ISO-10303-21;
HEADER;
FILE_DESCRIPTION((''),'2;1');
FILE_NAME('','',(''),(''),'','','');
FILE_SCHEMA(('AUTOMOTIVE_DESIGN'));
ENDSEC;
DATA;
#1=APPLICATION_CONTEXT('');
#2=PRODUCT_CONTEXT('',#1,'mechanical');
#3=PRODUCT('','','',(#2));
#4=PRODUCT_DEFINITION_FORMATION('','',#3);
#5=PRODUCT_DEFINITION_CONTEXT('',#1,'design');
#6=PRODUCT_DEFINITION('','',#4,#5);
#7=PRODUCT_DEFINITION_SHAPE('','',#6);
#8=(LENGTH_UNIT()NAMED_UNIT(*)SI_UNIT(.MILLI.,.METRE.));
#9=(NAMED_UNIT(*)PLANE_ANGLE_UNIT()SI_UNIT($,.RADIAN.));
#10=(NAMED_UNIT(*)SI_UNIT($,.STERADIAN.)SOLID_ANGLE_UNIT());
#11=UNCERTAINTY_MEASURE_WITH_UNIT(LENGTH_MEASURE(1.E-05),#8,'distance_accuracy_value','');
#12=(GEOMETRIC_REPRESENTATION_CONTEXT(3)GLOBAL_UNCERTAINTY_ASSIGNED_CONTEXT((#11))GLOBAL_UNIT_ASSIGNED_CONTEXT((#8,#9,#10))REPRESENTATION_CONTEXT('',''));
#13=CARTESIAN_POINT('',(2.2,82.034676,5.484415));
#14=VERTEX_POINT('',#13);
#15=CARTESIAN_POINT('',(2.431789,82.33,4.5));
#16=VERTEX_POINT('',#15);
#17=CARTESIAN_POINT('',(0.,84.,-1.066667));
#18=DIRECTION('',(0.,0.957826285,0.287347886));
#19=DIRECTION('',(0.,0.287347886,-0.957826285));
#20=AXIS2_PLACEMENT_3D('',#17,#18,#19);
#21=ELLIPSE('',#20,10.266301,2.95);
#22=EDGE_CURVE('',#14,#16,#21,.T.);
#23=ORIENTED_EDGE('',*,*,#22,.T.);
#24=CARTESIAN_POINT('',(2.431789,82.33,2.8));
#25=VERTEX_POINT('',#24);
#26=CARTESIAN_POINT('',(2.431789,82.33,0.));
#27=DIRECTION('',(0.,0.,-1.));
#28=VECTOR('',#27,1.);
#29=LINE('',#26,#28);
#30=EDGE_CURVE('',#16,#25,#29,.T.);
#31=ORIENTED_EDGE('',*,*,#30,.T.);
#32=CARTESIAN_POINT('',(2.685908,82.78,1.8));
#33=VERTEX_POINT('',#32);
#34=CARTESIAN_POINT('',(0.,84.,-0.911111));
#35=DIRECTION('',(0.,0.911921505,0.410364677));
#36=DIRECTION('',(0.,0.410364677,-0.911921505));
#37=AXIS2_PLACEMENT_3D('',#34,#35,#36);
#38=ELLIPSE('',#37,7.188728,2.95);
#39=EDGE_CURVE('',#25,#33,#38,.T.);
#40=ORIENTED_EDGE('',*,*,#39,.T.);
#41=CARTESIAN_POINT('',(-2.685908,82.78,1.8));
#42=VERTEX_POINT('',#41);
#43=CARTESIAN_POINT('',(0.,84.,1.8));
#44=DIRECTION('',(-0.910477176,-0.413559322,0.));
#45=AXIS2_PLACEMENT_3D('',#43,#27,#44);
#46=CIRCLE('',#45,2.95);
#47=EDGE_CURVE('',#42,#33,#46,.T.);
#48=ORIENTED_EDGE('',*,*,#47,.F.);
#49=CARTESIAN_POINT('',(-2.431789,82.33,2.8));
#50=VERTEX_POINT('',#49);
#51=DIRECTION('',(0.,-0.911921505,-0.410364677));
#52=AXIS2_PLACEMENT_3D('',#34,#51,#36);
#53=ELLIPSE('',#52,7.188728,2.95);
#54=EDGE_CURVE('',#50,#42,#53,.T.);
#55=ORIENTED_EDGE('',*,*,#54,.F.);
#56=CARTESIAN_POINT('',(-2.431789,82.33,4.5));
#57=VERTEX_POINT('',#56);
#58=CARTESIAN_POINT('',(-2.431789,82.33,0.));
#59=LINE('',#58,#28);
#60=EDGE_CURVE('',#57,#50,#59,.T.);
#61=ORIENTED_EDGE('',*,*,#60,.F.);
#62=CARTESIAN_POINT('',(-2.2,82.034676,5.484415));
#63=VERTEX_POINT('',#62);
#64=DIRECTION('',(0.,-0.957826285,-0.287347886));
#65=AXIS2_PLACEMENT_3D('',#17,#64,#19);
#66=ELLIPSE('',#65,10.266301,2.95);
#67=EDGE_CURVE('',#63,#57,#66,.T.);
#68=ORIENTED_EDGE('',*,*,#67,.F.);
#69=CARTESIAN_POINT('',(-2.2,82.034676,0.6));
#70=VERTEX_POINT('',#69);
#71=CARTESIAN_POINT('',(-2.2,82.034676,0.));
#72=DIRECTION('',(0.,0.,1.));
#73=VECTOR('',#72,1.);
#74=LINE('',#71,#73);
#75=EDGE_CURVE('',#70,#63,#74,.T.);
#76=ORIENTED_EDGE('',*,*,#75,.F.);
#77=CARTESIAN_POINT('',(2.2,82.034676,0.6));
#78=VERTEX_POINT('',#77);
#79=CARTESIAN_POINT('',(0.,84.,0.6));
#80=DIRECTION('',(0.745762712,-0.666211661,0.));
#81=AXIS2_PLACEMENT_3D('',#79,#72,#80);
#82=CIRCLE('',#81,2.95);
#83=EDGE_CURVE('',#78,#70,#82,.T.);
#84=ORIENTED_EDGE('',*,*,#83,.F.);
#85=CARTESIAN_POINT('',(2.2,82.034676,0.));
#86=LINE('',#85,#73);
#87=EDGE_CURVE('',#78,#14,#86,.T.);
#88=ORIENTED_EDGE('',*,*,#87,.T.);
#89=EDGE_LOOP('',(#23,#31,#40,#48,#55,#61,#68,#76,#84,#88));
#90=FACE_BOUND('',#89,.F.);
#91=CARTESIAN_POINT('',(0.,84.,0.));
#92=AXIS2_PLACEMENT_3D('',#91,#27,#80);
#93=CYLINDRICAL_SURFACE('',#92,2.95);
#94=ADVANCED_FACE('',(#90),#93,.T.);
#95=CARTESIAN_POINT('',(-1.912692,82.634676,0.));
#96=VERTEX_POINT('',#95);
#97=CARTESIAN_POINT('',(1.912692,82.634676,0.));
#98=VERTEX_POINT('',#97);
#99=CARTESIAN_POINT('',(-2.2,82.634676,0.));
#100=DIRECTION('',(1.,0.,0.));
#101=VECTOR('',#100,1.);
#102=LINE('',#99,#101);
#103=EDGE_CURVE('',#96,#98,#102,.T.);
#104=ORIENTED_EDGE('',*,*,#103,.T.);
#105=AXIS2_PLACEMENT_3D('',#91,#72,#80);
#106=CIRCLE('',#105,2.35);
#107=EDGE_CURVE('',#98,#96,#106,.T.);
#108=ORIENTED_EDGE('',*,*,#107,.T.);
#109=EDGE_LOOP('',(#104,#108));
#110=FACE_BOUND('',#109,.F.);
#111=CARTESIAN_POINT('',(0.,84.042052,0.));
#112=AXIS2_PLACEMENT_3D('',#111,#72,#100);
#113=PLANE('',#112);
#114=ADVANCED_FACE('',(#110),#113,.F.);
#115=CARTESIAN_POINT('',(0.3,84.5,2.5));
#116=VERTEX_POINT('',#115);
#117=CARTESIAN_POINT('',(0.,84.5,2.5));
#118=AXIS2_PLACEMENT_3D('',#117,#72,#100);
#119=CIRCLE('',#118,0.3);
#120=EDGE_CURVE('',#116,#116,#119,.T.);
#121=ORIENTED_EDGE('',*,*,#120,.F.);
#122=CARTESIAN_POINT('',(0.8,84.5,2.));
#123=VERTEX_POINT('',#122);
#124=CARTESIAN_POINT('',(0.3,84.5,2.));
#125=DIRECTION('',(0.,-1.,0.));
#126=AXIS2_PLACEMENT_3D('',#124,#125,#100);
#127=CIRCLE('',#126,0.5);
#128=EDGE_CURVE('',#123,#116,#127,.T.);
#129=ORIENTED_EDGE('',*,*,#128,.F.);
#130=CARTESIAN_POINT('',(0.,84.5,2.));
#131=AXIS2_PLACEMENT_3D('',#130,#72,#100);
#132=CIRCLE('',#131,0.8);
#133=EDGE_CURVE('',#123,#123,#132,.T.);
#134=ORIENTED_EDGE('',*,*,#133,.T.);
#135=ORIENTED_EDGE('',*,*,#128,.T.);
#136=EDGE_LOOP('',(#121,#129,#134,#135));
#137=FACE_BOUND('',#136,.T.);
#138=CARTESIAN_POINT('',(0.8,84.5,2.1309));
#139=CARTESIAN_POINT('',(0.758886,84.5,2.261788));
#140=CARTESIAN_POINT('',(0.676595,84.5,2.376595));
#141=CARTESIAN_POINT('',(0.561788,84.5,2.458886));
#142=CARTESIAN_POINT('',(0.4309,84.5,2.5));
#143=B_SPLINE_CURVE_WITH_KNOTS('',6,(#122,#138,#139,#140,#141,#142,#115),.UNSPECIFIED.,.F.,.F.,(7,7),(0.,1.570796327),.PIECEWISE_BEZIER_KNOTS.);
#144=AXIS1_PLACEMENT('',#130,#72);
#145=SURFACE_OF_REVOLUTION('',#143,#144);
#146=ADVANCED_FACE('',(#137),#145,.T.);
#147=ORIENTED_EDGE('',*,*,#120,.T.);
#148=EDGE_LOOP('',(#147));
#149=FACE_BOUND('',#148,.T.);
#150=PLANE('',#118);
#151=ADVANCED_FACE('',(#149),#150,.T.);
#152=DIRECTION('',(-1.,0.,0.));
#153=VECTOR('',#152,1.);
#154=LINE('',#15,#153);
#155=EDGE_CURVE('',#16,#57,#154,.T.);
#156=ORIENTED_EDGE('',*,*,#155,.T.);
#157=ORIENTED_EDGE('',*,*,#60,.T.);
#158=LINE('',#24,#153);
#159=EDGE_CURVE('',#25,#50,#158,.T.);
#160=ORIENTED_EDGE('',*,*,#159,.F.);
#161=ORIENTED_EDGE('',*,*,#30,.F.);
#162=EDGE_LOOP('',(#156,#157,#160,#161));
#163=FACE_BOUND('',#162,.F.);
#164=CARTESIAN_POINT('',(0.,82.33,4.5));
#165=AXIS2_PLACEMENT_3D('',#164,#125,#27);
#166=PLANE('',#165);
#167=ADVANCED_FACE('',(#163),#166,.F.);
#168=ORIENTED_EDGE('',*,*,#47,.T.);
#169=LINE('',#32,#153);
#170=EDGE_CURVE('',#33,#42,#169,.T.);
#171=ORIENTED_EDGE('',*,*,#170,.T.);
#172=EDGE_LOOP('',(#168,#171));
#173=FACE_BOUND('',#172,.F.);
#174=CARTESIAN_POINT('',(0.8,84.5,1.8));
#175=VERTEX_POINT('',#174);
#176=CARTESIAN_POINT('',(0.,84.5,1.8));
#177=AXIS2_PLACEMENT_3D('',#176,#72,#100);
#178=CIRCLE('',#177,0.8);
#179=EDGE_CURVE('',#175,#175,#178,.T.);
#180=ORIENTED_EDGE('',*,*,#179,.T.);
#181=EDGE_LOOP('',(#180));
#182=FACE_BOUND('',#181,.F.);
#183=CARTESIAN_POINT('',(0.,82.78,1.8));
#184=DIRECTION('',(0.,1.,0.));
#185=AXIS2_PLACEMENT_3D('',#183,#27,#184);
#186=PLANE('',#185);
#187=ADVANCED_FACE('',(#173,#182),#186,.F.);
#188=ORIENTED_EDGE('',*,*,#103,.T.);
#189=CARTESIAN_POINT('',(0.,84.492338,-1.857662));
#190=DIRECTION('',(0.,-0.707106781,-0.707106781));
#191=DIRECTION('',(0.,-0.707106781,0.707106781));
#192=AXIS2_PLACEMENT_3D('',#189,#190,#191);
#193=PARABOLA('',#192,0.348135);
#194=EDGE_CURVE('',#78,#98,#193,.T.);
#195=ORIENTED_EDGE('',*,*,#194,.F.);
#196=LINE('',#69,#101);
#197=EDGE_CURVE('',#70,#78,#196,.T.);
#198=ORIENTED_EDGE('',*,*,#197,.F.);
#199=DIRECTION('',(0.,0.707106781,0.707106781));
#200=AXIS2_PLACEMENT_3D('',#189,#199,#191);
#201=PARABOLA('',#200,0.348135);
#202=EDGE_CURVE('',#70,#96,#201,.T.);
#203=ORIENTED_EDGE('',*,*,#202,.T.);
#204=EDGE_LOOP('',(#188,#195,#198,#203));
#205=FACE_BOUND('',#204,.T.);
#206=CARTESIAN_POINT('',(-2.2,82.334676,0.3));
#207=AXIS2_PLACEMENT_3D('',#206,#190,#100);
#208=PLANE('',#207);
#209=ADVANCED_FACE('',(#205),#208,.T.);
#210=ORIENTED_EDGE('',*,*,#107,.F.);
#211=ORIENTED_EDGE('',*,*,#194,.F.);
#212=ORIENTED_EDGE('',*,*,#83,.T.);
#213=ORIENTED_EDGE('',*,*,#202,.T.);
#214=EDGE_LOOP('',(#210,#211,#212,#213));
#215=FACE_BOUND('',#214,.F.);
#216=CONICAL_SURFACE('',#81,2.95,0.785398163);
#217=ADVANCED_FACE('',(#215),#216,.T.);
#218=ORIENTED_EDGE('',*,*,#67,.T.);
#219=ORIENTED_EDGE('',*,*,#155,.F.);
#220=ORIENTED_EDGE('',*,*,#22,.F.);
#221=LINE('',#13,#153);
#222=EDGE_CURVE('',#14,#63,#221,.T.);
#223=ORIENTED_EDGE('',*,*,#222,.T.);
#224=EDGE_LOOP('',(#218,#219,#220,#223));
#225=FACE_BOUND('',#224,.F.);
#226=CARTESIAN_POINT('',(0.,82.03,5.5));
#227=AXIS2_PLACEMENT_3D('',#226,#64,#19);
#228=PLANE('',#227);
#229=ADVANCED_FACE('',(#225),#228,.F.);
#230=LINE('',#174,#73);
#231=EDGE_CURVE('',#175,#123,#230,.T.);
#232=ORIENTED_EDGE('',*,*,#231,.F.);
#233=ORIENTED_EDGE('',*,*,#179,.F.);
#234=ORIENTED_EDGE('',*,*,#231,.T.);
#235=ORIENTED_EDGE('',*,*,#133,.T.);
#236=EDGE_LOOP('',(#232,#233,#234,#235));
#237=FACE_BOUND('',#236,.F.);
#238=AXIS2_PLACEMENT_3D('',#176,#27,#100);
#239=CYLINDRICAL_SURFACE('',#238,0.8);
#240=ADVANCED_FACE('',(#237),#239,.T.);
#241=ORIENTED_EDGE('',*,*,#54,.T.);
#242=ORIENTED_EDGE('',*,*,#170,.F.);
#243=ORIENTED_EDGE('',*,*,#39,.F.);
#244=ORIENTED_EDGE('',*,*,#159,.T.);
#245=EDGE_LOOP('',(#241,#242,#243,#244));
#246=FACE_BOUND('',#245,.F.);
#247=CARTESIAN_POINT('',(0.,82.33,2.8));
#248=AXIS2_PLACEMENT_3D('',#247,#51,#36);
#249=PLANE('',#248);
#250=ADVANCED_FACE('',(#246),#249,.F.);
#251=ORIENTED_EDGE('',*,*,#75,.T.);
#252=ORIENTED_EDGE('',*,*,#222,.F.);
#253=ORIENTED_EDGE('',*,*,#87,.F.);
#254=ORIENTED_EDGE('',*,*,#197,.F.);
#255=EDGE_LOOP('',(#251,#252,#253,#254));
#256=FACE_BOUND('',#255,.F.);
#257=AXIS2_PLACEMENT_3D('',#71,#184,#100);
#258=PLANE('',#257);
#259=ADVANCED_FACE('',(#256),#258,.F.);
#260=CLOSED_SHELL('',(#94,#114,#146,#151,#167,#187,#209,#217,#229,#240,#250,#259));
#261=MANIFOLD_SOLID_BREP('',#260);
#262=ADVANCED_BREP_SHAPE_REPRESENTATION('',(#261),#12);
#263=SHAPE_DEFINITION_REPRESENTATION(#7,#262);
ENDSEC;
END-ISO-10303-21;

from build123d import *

# Parameters (mm, degrees)
PAD003_DEPTH         = 5.5
POCKET004_DEPTH      = 2.951
POCKET004_DEPTH_BACK = 2.951
SKETCH013_R          = 0.8
PAD006_DEPTH         = 0.7
FILLET_R             = 0.5
CHAMFER004_SIZE      = 0.6


with BuildPart() as part:
    # Sketch004 → Pad003 (new body)
    with BuildSketch(Plane.XY):
        with BuildLine():
            ThreePointArc((2.2, -1.9653244007), (0, 2.95), (-2.2, -1.9653244007))
            Line((-2.2, -1.9653244007), (2.2, -1.9653244007))
        make_face()
    extrude(amount=PAD003_DEPTH)

    # Sketch014 → Pocket004 (cut, two sides)
    with BuildSketch(Plane.YZ) as pocket004_sk:
        Polygon((-1.97, 5.5), (-1.67, 4.5), (-1.67, 2.8), (-1.22, 1.8), (4, 1.8), (4, 5.5), align=None)
    extrude(amount=-POCKET004_DEPTH, mode=Mode.SUBTRACT)
    extrude(pocket004_sk.sketch, amount=POCKET004_DEPTH_BACK, mode=Mode.SUBTRACT)

    # Sketch013 (on Face7 of Pocket004) → Pad006 (join)
    with BuildSketch(Plane.XY.offset(1.8)):
        with Locations((0, 0.5)):
            Circle(SKETCH013_R)
    extrude(amount=PAD006_DEPTH)

    # Fillet
    fillet_edges = [part.edges().sort_by_distance(p)[0] for p in [
        (-0.8, 0.5, 2.5),
    ]]
    fillet(fillet_edges, radius=FILLET_R)

    # Chamfer004
    chamfer004_edges = [part.edges().sort_by_distance(p)[0] for p in [
        (0, 2.95, 0),
        (0, -1.965324, 0),
    ]]
    chamfer(chamfer004_edges, length=CHAMFER004_SIZE)


with BuildPart() as part_1:
    # Body033 placement: moved
    add(part.part.moved(Location((0, 84, 0))))


solid = part_1.part
